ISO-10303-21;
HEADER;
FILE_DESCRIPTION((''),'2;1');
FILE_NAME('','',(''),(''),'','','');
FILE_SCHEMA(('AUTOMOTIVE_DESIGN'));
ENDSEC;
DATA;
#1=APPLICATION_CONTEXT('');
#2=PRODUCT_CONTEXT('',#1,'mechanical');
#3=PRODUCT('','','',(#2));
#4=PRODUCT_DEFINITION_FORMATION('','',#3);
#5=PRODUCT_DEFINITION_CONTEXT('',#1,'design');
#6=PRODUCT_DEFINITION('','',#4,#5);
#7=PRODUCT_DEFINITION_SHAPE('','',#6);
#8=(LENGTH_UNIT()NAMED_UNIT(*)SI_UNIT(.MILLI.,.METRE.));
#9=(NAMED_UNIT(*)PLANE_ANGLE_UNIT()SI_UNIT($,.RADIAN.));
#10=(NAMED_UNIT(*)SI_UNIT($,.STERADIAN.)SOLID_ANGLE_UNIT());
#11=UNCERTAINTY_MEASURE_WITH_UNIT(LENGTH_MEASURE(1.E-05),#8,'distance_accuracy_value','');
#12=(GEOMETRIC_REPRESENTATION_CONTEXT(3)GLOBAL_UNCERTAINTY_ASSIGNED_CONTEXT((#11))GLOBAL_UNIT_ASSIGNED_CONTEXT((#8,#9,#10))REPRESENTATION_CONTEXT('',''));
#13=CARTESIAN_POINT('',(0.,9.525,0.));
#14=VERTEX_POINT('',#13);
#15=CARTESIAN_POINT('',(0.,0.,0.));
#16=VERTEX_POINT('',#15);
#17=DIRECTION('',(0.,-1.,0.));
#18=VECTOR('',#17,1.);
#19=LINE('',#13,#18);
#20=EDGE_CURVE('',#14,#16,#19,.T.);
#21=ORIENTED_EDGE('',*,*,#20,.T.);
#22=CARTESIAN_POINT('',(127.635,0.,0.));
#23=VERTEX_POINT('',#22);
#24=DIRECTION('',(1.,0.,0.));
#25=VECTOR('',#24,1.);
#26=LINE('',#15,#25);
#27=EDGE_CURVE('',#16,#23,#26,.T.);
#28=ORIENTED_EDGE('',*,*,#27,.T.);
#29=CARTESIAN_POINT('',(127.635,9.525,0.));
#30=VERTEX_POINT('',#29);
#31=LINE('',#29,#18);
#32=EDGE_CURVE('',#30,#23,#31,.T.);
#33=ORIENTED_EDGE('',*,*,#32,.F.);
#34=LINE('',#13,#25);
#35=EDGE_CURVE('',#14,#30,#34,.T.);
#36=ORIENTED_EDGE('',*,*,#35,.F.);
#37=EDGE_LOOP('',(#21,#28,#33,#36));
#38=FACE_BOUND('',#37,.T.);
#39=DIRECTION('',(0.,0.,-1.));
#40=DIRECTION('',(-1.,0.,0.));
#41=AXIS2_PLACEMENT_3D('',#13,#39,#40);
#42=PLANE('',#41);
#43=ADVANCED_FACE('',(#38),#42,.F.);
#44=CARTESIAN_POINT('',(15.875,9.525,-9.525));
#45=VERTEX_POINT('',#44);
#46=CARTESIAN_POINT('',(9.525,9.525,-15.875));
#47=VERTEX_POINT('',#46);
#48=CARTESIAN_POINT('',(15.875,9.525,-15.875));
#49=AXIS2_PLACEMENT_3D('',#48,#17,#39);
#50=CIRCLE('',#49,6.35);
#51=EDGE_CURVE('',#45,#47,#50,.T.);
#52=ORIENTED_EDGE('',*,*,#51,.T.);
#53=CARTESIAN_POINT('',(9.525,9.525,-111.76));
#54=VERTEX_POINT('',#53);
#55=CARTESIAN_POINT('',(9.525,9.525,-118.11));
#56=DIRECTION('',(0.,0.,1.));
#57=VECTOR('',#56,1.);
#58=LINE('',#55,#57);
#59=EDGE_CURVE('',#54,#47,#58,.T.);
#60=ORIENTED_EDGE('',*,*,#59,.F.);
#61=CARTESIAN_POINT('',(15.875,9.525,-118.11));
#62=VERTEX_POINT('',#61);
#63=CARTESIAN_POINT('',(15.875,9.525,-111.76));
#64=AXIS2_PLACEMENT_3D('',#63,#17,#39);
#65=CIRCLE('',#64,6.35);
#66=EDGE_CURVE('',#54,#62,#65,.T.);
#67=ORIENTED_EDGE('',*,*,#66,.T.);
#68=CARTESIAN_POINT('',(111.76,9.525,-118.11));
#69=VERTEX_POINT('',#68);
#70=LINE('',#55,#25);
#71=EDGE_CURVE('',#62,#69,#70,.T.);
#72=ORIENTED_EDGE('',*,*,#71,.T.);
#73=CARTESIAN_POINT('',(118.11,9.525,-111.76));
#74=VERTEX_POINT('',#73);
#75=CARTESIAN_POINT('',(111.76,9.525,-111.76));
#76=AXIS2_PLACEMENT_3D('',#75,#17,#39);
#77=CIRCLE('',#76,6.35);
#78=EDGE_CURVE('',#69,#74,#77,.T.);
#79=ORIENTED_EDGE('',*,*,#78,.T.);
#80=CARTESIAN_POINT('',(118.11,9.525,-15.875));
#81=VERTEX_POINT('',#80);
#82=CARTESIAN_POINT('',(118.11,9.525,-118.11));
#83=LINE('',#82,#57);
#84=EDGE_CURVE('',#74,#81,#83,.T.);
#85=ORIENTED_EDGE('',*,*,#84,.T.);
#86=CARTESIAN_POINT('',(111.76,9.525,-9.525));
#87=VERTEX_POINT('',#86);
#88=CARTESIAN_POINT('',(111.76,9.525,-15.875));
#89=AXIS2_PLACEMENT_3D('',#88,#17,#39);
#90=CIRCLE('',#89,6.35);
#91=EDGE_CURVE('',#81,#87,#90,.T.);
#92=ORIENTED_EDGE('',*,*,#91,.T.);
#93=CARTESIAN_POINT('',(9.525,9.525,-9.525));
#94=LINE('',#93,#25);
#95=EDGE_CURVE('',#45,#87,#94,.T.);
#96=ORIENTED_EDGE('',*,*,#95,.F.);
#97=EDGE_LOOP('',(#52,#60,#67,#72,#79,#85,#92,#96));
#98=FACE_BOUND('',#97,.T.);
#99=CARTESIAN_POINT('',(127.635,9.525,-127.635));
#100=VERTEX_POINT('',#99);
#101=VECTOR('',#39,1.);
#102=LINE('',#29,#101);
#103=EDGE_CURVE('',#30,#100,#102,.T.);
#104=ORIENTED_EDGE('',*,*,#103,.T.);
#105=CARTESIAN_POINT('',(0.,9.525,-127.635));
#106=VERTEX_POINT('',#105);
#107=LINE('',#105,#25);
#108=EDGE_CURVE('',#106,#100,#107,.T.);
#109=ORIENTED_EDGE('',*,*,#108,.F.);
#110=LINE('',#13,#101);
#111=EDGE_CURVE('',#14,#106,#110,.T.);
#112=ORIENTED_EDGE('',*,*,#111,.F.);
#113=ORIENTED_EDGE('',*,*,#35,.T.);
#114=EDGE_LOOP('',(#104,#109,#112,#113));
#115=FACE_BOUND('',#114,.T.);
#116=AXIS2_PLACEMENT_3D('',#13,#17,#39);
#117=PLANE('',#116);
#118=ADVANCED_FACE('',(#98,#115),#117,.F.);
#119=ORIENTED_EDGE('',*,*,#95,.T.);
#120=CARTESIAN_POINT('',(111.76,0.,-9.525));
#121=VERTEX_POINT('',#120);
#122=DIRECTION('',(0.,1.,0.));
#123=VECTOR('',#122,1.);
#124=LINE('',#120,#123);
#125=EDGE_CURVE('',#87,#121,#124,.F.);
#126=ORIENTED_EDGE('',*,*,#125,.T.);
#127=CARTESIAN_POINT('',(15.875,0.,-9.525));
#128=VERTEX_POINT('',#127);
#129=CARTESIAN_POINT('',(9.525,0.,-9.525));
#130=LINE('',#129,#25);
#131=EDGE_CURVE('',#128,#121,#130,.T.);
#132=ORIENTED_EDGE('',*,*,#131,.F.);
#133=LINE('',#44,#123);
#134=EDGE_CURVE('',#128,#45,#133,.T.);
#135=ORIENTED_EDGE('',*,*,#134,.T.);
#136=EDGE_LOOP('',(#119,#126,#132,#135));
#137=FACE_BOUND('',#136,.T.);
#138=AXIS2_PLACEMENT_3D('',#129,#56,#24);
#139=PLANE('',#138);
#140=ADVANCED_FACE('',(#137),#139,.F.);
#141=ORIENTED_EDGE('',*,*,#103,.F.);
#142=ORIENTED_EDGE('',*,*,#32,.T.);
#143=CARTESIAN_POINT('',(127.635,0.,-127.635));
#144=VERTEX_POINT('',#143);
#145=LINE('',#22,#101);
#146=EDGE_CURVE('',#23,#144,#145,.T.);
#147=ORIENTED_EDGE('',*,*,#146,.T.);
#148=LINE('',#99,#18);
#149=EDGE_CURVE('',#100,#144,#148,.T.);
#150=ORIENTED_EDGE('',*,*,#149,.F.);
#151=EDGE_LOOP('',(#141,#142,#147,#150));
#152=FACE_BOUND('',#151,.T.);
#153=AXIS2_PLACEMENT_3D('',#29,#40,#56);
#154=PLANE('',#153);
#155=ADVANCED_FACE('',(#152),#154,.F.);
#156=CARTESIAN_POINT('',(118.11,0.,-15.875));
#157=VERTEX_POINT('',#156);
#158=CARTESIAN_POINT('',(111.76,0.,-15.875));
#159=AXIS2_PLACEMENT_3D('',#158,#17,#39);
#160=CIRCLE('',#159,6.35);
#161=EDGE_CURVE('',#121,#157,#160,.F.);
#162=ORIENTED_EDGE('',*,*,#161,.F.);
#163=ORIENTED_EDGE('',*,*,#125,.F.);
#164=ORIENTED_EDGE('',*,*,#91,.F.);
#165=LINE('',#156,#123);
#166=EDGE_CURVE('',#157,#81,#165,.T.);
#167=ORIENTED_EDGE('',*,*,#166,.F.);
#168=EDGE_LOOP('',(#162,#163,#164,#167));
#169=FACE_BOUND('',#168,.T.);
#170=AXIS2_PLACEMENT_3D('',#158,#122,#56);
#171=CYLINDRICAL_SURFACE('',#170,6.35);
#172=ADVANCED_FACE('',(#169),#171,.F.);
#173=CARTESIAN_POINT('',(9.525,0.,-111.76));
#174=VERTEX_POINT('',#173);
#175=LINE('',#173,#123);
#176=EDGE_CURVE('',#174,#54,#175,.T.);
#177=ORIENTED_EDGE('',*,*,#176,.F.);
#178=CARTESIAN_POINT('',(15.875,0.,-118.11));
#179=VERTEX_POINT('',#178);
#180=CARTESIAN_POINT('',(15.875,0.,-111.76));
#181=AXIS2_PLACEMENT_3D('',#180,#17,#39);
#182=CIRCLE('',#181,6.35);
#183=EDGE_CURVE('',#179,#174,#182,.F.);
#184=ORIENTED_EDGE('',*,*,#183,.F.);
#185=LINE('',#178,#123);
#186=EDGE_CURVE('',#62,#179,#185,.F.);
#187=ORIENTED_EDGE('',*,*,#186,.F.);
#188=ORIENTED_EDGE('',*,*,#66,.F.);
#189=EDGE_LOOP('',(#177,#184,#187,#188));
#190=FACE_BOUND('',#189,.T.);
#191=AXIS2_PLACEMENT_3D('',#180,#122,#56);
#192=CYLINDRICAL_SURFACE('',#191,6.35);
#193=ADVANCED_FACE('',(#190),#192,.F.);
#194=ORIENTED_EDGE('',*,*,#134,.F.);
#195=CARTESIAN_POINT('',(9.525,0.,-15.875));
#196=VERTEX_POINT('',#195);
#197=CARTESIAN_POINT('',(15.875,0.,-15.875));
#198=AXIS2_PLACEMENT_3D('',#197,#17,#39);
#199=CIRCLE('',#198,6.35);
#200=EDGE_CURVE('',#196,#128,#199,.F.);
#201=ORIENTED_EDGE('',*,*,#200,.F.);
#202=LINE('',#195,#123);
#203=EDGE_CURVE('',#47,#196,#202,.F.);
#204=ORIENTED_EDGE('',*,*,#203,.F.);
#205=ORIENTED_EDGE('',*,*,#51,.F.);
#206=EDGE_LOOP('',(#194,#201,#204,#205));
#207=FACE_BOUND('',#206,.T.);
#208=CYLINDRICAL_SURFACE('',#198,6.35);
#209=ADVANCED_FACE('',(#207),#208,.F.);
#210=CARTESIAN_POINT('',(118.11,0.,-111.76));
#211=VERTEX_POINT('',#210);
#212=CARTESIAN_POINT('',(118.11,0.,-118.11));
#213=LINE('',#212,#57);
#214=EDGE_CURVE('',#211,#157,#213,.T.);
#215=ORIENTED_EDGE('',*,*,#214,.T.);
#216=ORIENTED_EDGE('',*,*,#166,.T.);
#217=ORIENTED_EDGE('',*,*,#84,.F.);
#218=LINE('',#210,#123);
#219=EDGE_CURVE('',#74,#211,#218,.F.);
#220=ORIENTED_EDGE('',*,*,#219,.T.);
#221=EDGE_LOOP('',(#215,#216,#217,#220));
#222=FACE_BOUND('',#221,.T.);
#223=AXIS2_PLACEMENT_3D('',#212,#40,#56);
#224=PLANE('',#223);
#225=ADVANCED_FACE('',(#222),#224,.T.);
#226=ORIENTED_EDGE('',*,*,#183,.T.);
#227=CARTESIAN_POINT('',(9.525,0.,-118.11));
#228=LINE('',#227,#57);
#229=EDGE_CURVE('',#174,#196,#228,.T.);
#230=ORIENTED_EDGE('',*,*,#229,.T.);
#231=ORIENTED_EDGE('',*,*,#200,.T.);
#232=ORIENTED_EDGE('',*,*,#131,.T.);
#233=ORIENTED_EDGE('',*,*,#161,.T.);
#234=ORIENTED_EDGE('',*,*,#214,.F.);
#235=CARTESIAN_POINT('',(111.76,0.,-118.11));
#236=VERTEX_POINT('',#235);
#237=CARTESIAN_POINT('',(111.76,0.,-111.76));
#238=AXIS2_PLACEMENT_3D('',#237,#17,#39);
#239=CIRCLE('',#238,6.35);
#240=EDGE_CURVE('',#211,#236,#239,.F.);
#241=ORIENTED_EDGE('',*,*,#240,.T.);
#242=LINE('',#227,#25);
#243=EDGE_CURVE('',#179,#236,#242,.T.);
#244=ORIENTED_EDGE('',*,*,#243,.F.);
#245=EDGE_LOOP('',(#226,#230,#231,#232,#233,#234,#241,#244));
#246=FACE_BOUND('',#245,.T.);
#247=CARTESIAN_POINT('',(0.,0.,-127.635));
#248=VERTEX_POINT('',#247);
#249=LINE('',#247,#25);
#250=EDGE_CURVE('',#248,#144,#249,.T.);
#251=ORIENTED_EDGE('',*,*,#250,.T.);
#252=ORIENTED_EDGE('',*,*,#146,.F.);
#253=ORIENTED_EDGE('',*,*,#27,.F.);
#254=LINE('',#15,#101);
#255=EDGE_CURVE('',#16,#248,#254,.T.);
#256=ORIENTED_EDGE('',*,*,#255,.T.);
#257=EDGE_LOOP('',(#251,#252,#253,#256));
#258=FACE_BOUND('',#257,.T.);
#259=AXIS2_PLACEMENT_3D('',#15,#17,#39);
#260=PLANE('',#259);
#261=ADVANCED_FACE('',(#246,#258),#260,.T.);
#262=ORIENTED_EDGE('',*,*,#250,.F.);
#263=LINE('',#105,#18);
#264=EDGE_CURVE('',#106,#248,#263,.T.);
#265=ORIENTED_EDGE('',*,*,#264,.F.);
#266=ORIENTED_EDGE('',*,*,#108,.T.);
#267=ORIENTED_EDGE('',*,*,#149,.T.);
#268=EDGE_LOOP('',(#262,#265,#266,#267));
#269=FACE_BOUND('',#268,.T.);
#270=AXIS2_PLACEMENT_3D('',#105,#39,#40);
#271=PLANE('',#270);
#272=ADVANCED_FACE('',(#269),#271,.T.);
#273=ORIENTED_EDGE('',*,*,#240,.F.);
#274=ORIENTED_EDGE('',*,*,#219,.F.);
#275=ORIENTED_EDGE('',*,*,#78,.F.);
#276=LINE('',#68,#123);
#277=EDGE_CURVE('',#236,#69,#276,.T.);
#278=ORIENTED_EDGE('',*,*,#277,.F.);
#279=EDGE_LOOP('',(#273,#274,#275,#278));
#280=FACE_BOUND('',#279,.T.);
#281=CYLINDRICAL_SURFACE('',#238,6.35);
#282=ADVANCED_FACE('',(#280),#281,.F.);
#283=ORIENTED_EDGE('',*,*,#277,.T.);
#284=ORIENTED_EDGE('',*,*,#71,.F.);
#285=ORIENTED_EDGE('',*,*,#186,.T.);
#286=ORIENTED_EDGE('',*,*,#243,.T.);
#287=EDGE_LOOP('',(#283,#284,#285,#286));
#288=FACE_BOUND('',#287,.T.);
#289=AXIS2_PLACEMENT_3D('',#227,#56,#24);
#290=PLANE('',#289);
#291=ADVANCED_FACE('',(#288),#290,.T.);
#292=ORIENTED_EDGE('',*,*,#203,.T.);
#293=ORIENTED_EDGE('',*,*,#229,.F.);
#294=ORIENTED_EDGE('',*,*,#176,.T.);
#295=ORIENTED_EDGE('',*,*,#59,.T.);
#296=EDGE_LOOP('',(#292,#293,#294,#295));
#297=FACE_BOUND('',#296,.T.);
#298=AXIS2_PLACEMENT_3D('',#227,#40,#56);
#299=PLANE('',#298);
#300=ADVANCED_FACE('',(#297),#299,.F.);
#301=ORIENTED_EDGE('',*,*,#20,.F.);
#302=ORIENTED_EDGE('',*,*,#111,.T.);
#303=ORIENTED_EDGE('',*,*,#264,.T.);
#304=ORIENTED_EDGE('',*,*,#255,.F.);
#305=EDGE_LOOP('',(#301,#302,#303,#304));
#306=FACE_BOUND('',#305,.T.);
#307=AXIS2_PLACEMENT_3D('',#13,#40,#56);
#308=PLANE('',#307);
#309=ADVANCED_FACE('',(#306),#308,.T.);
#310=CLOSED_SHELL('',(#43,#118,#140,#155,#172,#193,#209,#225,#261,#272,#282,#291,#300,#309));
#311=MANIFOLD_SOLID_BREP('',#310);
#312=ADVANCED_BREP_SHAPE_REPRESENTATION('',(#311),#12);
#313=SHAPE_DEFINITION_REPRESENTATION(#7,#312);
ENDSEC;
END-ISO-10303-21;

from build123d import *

# Parameters (mm, degrees)
SKETCH1_W           = 127.635
SKETCH1_H           = 127.635
BOSS_EXTRUDE1_DEPTH = 9.525
SKETCH5_W           = 108.585
SKETCH5_H           = 108.585
CUT_EXTRUDE1_DEPTH  = 9.525
FILLET1_R           = 6.35


with BuildPart() as part:
    # Sketch1 → Boss-Extrude1 (new body)
    with BuildSketch(Plane(origin=(0, 0, 0), x_dir=(1, 0, 0), z_dir=(0, 1, 0))):
        with Locations((63.8175, 63.8175)):
            Rectangle(SKETCH1_W, SKETCH1_H)
    extrude(amount=BOSS_EXTRUDE1_DEPTH)

    # Sketch5 → Cut-Extrude1 (cut)
    with BuildSketch(Plane(origin=(0, 9.525, 0), x_dir=(1, 0, 0), z_dir=(0, 1, 0))):
        with Locations((63.8175, 63.8175)):
            Rectangle(SKETCH5_W, SKETCH5_H)
    extrude(amount=-CUT_EXTRUDE1_DEPTH, mode=Mode.SUBTRACT)

    # Fillet1
    fillet1_edges = [part.edges().sort_by_distance(p)[0] for p in [
        (118.11, 4.7625, -9.525),
        (9.525, 4.7625, -9.525),
        (9.525, 4.7625, -118.11),
        (118.11, 4.7625, -118.11),
    ]]
    fillet(fillet1_edges, radius=FILLET1_R)


solid = part.part
